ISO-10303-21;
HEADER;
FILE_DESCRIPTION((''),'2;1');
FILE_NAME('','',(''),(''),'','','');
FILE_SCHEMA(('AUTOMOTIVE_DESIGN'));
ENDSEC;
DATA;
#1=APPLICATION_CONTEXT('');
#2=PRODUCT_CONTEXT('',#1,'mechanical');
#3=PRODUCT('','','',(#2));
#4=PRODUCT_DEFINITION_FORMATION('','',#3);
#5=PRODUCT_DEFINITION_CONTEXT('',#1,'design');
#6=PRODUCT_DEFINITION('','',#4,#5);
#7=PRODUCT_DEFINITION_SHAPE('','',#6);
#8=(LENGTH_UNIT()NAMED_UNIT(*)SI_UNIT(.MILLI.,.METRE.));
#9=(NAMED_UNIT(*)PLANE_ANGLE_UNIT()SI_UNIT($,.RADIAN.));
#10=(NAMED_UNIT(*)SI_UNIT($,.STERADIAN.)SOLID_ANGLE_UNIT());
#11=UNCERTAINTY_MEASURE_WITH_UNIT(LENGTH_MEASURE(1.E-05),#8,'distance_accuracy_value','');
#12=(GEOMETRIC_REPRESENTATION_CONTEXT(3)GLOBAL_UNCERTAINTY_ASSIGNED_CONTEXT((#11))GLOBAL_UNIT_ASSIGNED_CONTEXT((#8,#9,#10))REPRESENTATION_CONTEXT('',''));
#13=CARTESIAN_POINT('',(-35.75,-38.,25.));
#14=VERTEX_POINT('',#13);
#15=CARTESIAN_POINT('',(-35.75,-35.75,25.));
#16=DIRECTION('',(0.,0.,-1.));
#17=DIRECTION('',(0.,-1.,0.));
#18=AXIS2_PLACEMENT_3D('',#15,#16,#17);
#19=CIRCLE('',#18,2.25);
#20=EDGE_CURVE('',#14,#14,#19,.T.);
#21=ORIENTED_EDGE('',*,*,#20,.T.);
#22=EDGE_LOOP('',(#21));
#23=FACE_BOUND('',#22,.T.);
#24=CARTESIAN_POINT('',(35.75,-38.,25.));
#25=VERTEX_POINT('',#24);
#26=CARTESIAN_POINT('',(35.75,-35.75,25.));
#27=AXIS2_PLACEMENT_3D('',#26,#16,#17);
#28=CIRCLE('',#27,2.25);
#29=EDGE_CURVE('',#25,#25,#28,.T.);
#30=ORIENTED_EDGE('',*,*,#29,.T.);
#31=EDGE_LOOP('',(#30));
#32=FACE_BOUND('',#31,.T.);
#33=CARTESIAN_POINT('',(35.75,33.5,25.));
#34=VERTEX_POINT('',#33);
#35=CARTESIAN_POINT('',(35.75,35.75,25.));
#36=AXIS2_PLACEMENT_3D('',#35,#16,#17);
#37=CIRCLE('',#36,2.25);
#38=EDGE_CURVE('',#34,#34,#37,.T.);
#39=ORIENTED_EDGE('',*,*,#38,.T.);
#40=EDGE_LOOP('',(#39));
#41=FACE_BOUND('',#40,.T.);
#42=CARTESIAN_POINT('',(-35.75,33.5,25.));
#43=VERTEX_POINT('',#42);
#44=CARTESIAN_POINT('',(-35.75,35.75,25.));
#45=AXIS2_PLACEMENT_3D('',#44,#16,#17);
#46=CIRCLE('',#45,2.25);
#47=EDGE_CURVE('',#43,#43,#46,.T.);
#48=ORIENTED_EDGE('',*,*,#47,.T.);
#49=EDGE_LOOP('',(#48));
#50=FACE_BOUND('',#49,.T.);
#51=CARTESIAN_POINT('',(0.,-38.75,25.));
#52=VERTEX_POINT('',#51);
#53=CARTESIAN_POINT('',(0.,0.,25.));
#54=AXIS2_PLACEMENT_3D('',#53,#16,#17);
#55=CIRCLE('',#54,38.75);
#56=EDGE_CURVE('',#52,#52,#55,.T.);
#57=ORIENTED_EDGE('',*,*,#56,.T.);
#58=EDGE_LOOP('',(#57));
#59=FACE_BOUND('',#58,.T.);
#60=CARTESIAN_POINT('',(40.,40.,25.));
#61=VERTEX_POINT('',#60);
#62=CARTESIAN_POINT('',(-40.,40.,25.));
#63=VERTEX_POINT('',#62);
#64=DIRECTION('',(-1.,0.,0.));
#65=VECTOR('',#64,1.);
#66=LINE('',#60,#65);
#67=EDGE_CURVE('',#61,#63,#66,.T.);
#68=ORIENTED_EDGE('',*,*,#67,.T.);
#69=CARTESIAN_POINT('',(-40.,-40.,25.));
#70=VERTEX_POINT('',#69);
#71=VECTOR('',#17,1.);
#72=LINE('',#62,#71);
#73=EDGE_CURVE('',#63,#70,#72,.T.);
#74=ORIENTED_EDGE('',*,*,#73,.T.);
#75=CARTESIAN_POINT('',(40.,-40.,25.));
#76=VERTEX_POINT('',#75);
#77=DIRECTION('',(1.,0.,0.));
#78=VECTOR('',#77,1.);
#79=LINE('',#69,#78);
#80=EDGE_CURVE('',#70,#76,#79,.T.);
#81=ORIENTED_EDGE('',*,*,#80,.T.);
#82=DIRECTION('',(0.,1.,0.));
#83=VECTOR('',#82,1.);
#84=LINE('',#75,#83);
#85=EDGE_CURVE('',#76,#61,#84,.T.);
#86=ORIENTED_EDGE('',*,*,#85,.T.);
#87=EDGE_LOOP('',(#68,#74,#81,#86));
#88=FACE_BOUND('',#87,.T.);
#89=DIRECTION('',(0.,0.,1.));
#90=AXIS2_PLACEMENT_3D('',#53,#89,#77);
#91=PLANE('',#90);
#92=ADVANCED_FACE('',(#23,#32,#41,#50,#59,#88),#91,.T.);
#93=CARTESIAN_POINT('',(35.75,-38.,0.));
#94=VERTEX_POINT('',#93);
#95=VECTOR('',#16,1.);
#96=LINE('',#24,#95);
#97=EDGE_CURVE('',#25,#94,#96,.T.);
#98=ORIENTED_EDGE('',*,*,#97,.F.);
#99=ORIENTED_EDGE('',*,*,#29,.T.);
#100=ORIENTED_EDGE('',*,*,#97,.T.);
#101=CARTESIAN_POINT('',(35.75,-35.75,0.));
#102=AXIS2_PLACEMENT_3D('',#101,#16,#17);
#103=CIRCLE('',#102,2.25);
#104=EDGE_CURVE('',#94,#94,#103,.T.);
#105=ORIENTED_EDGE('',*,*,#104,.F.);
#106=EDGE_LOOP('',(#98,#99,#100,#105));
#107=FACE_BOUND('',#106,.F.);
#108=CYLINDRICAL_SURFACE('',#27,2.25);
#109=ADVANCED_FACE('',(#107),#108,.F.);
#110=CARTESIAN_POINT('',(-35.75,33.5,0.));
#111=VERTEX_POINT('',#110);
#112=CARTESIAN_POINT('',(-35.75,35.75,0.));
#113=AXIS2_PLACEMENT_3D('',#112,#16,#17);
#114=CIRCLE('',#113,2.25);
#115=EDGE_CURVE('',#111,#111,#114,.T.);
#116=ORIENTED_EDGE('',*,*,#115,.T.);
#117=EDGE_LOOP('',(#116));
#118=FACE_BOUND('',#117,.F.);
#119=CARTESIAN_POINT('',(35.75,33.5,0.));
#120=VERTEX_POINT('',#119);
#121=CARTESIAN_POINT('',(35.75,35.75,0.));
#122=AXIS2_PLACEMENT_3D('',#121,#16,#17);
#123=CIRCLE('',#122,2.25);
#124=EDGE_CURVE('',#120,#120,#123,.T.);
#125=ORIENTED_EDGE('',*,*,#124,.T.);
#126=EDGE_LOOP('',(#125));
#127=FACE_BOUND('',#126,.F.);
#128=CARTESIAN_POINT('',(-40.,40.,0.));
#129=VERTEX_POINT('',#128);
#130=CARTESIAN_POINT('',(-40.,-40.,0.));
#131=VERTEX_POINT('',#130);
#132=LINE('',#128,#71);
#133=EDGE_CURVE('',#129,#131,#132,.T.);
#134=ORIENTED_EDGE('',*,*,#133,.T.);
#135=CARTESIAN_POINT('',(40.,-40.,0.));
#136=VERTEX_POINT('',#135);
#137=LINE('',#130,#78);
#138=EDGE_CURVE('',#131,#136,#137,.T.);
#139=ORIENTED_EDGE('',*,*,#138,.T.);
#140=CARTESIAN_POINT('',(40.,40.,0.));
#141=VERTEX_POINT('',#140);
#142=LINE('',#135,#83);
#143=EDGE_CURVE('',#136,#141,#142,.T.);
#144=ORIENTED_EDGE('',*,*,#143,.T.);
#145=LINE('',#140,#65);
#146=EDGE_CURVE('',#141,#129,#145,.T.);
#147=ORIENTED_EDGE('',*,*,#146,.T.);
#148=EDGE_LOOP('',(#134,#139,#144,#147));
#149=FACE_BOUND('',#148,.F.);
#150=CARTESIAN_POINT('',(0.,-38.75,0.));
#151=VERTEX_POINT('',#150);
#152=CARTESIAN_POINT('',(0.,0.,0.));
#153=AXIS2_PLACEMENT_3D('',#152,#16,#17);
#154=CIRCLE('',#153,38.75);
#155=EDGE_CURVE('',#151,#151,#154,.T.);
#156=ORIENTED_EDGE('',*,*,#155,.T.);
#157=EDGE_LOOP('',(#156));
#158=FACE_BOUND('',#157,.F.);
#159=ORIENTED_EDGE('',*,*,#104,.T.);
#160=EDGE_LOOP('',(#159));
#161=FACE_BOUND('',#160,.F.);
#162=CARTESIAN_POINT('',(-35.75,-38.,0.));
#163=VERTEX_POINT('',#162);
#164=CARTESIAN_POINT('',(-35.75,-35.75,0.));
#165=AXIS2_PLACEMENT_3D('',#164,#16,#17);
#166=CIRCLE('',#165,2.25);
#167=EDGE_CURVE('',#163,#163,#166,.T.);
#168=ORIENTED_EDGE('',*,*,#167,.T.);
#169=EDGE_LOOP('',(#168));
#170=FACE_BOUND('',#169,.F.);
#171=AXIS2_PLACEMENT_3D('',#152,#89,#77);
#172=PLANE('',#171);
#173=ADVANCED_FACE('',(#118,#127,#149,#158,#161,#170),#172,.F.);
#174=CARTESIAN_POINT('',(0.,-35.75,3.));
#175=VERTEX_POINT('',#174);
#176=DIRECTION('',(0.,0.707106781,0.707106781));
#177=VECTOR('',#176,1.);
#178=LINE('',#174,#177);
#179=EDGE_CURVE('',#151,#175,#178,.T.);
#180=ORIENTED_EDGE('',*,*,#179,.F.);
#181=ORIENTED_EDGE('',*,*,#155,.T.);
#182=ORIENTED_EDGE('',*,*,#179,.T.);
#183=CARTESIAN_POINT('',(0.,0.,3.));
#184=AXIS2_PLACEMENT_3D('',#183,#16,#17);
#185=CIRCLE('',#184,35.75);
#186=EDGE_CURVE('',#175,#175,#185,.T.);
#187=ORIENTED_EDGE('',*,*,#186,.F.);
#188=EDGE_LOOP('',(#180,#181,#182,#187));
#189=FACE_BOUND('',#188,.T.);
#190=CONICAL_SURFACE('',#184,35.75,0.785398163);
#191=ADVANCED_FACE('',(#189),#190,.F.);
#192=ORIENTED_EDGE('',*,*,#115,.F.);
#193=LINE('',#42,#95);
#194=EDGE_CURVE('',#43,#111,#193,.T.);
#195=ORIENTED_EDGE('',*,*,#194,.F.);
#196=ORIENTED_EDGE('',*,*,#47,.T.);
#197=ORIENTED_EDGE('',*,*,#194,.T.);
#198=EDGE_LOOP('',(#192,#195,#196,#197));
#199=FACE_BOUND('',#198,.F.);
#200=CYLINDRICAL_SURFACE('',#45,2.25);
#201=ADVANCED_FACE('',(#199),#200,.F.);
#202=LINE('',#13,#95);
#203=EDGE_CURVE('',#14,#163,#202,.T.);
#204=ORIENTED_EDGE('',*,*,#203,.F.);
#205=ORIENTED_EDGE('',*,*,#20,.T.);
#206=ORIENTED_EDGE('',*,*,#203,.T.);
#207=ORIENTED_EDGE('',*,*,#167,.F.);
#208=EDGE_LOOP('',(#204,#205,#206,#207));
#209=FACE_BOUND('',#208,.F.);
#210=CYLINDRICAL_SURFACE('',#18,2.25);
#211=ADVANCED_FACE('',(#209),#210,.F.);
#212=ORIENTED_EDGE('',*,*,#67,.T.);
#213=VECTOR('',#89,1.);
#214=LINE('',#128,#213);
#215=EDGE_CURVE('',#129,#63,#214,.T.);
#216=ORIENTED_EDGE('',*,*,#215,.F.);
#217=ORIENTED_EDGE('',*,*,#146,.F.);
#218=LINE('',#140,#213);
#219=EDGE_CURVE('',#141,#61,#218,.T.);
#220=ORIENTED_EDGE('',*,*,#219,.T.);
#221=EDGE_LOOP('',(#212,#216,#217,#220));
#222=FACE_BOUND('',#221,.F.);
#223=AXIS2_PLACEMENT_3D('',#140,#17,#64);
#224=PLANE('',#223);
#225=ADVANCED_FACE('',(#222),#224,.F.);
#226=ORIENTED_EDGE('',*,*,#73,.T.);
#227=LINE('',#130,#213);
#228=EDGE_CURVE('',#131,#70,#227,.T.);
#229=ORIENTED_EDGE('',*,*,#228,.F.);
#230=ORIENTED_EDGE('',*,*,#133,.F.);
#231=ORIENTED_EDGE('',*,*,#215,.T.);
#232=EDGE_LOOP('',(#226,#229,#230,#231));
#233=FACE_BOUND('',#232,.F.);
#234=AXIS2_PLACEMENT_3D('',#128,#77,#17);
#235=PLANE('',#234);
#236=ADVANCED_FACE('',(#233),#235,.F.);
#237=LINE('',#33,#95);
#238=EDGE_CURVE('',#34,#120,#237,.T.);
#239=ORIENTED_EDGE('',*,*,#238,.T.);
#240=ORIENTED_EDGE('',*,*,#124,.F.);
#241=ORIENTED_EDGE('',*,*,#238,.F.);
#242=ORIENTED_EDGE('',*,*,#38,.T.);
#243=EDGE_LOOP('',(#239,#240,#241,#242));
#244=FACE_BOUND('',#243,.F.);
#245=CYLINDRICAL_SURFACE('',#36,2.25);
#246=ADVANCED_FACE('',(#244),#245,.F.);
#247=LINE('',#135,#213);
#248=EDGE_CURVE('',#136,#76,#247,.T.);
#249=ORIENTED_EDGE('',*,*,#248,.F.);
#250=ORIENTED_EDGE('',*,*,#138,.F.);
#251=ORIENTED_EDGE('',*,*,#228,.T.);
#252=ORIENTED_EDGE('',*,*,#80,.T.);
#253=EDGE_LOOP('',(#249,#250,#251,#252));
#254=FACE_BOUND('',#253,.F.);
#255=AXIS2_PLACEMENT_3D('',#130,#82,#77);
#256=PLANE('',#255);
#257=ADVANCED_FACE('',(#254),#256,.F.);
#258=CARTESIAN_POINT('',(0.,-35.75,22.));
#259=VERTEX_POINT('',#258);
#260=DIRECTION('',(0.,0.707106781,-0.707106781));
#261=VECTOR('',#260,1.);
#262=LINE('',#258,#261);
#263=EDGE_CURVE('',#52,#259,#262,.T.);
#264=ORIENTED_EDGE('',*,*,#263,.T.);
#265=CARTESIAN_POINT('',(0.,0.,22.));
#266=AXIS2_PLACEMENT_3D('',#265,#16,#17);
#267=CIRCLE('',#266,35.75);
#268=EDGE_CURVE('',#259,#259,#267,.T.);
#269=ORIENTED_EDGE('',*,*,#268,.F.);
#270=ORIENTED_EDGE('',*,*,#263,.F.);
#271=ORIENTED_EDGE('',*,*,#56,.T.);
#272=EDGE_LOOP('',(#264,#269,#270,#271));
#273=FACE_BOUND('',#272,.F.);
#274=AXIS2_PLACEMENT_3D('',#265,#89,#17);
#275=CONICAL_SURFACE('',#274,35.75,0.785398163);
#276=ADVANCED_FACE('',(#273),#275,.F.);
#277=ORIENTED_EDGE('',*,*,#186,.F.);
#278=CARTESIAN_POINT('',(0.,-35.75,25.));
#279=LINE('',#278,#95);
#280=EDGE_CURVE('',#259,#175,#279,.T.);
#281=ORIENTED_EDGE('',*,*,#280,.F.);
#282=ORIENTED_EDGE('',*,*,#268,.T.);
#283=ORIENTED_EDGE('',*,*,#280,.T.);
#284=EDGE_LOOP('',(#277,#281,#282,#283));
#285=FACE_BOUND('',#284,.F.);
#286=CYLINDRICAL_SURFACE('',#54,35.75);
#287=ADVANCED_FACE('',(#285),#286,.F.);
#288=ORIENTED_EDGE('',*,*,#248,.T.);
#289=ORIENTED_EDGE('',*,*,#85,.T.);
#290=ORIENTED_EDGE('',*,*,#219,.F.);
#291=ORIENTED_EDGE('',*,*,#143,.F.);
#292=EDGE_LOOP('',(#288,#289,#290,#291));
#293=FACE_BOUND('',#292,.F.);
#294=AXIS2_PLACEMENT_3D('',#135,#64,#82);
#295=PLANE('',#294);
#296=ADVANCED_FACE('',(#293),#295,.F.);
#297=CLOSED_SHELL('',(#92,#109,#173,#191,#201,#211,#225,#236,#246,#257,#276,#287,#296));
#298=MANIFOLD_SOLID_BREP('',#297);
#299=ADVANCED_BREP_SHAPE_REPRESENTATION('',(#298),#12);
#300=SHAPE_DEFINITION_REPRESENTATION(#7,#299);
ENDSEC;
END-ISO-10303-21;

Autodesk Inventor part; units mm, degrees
ref_plane "YZ Plane" through (0, 0, 0) normal (1, 0, 0) x (0, 1, 0)
ref_plane "XZ Plane" through (0, 0, 0) normal (0, 1, 0) x (-1, 0, 0)
ref_plane "XY Plane" through (0, 0, 0) normal (0, 0, 1) x (1, 0, 0)
sketch "Sketch1" plane through (0, 0, 0) normal (0, 0, 1) x (1, 0, 0)
  line L0 (-40, -40) -> (40, -40)
  line L1 (40, -40) -> (40, 40)
  line L2 (40, 40) -> (-40, 40)
  line L3 (-40, 40) -> (-40, -40)
  point P0 (0, 0)
  point P1 (40, 0)
  point P2 (0, 40)
  dimension "L" = 80
  dimension "d1" = 80
extrude "Extrusion1" add sketch "Sketch1" along normal blind 25
sketch "Sketch2" plane through (0, 0, 25) normal (0, 0, 1) x (1, 0, 0)
  line L0 (-35.75, -35.75) -> (35.75, -35.75) construction
  line L1 (35.75, -35.75) -> (35.75, 35.75) construction
  line L2 (35.75, 35.75) -> (-35.75, 35.75) construction
  line L3 (-35.75, 35.75) -> (-35.75, -35.75) construction
  point P0 (0, 0)
  point P1 (-35.75, 0)
  point P2 (0, 35.75)
  dimension "inner" = 71.5
  dimension "d5" = 71.5
hole "Hole1" at (-35.75, 35.75, 25) at (35.75, 35.75, 25) at (-35.75, -35.75, 25) at (35.75, -35.75, 25) direction (0, 0, -1) diameter 4.5 end through all
sketch "Sketch3" plane through (0, 0, 25) normal (0, 0, 1) x (1, 0, 0)
  point P0 (0, 0)
  point P1 (0, 0)
hole "Hole2" at (0, 0, 25) direction (0, 0, -1) diameter 71.5 end through all
chamfer "Chamfer1" distance 3 angle 45 2 edges at (0, 35.75, 25) (0, 35.75, 0)
equation "\"d1\" = L"
equation "\"d5\" = inner"
properties part number "fan" material "ABS Plastic"
